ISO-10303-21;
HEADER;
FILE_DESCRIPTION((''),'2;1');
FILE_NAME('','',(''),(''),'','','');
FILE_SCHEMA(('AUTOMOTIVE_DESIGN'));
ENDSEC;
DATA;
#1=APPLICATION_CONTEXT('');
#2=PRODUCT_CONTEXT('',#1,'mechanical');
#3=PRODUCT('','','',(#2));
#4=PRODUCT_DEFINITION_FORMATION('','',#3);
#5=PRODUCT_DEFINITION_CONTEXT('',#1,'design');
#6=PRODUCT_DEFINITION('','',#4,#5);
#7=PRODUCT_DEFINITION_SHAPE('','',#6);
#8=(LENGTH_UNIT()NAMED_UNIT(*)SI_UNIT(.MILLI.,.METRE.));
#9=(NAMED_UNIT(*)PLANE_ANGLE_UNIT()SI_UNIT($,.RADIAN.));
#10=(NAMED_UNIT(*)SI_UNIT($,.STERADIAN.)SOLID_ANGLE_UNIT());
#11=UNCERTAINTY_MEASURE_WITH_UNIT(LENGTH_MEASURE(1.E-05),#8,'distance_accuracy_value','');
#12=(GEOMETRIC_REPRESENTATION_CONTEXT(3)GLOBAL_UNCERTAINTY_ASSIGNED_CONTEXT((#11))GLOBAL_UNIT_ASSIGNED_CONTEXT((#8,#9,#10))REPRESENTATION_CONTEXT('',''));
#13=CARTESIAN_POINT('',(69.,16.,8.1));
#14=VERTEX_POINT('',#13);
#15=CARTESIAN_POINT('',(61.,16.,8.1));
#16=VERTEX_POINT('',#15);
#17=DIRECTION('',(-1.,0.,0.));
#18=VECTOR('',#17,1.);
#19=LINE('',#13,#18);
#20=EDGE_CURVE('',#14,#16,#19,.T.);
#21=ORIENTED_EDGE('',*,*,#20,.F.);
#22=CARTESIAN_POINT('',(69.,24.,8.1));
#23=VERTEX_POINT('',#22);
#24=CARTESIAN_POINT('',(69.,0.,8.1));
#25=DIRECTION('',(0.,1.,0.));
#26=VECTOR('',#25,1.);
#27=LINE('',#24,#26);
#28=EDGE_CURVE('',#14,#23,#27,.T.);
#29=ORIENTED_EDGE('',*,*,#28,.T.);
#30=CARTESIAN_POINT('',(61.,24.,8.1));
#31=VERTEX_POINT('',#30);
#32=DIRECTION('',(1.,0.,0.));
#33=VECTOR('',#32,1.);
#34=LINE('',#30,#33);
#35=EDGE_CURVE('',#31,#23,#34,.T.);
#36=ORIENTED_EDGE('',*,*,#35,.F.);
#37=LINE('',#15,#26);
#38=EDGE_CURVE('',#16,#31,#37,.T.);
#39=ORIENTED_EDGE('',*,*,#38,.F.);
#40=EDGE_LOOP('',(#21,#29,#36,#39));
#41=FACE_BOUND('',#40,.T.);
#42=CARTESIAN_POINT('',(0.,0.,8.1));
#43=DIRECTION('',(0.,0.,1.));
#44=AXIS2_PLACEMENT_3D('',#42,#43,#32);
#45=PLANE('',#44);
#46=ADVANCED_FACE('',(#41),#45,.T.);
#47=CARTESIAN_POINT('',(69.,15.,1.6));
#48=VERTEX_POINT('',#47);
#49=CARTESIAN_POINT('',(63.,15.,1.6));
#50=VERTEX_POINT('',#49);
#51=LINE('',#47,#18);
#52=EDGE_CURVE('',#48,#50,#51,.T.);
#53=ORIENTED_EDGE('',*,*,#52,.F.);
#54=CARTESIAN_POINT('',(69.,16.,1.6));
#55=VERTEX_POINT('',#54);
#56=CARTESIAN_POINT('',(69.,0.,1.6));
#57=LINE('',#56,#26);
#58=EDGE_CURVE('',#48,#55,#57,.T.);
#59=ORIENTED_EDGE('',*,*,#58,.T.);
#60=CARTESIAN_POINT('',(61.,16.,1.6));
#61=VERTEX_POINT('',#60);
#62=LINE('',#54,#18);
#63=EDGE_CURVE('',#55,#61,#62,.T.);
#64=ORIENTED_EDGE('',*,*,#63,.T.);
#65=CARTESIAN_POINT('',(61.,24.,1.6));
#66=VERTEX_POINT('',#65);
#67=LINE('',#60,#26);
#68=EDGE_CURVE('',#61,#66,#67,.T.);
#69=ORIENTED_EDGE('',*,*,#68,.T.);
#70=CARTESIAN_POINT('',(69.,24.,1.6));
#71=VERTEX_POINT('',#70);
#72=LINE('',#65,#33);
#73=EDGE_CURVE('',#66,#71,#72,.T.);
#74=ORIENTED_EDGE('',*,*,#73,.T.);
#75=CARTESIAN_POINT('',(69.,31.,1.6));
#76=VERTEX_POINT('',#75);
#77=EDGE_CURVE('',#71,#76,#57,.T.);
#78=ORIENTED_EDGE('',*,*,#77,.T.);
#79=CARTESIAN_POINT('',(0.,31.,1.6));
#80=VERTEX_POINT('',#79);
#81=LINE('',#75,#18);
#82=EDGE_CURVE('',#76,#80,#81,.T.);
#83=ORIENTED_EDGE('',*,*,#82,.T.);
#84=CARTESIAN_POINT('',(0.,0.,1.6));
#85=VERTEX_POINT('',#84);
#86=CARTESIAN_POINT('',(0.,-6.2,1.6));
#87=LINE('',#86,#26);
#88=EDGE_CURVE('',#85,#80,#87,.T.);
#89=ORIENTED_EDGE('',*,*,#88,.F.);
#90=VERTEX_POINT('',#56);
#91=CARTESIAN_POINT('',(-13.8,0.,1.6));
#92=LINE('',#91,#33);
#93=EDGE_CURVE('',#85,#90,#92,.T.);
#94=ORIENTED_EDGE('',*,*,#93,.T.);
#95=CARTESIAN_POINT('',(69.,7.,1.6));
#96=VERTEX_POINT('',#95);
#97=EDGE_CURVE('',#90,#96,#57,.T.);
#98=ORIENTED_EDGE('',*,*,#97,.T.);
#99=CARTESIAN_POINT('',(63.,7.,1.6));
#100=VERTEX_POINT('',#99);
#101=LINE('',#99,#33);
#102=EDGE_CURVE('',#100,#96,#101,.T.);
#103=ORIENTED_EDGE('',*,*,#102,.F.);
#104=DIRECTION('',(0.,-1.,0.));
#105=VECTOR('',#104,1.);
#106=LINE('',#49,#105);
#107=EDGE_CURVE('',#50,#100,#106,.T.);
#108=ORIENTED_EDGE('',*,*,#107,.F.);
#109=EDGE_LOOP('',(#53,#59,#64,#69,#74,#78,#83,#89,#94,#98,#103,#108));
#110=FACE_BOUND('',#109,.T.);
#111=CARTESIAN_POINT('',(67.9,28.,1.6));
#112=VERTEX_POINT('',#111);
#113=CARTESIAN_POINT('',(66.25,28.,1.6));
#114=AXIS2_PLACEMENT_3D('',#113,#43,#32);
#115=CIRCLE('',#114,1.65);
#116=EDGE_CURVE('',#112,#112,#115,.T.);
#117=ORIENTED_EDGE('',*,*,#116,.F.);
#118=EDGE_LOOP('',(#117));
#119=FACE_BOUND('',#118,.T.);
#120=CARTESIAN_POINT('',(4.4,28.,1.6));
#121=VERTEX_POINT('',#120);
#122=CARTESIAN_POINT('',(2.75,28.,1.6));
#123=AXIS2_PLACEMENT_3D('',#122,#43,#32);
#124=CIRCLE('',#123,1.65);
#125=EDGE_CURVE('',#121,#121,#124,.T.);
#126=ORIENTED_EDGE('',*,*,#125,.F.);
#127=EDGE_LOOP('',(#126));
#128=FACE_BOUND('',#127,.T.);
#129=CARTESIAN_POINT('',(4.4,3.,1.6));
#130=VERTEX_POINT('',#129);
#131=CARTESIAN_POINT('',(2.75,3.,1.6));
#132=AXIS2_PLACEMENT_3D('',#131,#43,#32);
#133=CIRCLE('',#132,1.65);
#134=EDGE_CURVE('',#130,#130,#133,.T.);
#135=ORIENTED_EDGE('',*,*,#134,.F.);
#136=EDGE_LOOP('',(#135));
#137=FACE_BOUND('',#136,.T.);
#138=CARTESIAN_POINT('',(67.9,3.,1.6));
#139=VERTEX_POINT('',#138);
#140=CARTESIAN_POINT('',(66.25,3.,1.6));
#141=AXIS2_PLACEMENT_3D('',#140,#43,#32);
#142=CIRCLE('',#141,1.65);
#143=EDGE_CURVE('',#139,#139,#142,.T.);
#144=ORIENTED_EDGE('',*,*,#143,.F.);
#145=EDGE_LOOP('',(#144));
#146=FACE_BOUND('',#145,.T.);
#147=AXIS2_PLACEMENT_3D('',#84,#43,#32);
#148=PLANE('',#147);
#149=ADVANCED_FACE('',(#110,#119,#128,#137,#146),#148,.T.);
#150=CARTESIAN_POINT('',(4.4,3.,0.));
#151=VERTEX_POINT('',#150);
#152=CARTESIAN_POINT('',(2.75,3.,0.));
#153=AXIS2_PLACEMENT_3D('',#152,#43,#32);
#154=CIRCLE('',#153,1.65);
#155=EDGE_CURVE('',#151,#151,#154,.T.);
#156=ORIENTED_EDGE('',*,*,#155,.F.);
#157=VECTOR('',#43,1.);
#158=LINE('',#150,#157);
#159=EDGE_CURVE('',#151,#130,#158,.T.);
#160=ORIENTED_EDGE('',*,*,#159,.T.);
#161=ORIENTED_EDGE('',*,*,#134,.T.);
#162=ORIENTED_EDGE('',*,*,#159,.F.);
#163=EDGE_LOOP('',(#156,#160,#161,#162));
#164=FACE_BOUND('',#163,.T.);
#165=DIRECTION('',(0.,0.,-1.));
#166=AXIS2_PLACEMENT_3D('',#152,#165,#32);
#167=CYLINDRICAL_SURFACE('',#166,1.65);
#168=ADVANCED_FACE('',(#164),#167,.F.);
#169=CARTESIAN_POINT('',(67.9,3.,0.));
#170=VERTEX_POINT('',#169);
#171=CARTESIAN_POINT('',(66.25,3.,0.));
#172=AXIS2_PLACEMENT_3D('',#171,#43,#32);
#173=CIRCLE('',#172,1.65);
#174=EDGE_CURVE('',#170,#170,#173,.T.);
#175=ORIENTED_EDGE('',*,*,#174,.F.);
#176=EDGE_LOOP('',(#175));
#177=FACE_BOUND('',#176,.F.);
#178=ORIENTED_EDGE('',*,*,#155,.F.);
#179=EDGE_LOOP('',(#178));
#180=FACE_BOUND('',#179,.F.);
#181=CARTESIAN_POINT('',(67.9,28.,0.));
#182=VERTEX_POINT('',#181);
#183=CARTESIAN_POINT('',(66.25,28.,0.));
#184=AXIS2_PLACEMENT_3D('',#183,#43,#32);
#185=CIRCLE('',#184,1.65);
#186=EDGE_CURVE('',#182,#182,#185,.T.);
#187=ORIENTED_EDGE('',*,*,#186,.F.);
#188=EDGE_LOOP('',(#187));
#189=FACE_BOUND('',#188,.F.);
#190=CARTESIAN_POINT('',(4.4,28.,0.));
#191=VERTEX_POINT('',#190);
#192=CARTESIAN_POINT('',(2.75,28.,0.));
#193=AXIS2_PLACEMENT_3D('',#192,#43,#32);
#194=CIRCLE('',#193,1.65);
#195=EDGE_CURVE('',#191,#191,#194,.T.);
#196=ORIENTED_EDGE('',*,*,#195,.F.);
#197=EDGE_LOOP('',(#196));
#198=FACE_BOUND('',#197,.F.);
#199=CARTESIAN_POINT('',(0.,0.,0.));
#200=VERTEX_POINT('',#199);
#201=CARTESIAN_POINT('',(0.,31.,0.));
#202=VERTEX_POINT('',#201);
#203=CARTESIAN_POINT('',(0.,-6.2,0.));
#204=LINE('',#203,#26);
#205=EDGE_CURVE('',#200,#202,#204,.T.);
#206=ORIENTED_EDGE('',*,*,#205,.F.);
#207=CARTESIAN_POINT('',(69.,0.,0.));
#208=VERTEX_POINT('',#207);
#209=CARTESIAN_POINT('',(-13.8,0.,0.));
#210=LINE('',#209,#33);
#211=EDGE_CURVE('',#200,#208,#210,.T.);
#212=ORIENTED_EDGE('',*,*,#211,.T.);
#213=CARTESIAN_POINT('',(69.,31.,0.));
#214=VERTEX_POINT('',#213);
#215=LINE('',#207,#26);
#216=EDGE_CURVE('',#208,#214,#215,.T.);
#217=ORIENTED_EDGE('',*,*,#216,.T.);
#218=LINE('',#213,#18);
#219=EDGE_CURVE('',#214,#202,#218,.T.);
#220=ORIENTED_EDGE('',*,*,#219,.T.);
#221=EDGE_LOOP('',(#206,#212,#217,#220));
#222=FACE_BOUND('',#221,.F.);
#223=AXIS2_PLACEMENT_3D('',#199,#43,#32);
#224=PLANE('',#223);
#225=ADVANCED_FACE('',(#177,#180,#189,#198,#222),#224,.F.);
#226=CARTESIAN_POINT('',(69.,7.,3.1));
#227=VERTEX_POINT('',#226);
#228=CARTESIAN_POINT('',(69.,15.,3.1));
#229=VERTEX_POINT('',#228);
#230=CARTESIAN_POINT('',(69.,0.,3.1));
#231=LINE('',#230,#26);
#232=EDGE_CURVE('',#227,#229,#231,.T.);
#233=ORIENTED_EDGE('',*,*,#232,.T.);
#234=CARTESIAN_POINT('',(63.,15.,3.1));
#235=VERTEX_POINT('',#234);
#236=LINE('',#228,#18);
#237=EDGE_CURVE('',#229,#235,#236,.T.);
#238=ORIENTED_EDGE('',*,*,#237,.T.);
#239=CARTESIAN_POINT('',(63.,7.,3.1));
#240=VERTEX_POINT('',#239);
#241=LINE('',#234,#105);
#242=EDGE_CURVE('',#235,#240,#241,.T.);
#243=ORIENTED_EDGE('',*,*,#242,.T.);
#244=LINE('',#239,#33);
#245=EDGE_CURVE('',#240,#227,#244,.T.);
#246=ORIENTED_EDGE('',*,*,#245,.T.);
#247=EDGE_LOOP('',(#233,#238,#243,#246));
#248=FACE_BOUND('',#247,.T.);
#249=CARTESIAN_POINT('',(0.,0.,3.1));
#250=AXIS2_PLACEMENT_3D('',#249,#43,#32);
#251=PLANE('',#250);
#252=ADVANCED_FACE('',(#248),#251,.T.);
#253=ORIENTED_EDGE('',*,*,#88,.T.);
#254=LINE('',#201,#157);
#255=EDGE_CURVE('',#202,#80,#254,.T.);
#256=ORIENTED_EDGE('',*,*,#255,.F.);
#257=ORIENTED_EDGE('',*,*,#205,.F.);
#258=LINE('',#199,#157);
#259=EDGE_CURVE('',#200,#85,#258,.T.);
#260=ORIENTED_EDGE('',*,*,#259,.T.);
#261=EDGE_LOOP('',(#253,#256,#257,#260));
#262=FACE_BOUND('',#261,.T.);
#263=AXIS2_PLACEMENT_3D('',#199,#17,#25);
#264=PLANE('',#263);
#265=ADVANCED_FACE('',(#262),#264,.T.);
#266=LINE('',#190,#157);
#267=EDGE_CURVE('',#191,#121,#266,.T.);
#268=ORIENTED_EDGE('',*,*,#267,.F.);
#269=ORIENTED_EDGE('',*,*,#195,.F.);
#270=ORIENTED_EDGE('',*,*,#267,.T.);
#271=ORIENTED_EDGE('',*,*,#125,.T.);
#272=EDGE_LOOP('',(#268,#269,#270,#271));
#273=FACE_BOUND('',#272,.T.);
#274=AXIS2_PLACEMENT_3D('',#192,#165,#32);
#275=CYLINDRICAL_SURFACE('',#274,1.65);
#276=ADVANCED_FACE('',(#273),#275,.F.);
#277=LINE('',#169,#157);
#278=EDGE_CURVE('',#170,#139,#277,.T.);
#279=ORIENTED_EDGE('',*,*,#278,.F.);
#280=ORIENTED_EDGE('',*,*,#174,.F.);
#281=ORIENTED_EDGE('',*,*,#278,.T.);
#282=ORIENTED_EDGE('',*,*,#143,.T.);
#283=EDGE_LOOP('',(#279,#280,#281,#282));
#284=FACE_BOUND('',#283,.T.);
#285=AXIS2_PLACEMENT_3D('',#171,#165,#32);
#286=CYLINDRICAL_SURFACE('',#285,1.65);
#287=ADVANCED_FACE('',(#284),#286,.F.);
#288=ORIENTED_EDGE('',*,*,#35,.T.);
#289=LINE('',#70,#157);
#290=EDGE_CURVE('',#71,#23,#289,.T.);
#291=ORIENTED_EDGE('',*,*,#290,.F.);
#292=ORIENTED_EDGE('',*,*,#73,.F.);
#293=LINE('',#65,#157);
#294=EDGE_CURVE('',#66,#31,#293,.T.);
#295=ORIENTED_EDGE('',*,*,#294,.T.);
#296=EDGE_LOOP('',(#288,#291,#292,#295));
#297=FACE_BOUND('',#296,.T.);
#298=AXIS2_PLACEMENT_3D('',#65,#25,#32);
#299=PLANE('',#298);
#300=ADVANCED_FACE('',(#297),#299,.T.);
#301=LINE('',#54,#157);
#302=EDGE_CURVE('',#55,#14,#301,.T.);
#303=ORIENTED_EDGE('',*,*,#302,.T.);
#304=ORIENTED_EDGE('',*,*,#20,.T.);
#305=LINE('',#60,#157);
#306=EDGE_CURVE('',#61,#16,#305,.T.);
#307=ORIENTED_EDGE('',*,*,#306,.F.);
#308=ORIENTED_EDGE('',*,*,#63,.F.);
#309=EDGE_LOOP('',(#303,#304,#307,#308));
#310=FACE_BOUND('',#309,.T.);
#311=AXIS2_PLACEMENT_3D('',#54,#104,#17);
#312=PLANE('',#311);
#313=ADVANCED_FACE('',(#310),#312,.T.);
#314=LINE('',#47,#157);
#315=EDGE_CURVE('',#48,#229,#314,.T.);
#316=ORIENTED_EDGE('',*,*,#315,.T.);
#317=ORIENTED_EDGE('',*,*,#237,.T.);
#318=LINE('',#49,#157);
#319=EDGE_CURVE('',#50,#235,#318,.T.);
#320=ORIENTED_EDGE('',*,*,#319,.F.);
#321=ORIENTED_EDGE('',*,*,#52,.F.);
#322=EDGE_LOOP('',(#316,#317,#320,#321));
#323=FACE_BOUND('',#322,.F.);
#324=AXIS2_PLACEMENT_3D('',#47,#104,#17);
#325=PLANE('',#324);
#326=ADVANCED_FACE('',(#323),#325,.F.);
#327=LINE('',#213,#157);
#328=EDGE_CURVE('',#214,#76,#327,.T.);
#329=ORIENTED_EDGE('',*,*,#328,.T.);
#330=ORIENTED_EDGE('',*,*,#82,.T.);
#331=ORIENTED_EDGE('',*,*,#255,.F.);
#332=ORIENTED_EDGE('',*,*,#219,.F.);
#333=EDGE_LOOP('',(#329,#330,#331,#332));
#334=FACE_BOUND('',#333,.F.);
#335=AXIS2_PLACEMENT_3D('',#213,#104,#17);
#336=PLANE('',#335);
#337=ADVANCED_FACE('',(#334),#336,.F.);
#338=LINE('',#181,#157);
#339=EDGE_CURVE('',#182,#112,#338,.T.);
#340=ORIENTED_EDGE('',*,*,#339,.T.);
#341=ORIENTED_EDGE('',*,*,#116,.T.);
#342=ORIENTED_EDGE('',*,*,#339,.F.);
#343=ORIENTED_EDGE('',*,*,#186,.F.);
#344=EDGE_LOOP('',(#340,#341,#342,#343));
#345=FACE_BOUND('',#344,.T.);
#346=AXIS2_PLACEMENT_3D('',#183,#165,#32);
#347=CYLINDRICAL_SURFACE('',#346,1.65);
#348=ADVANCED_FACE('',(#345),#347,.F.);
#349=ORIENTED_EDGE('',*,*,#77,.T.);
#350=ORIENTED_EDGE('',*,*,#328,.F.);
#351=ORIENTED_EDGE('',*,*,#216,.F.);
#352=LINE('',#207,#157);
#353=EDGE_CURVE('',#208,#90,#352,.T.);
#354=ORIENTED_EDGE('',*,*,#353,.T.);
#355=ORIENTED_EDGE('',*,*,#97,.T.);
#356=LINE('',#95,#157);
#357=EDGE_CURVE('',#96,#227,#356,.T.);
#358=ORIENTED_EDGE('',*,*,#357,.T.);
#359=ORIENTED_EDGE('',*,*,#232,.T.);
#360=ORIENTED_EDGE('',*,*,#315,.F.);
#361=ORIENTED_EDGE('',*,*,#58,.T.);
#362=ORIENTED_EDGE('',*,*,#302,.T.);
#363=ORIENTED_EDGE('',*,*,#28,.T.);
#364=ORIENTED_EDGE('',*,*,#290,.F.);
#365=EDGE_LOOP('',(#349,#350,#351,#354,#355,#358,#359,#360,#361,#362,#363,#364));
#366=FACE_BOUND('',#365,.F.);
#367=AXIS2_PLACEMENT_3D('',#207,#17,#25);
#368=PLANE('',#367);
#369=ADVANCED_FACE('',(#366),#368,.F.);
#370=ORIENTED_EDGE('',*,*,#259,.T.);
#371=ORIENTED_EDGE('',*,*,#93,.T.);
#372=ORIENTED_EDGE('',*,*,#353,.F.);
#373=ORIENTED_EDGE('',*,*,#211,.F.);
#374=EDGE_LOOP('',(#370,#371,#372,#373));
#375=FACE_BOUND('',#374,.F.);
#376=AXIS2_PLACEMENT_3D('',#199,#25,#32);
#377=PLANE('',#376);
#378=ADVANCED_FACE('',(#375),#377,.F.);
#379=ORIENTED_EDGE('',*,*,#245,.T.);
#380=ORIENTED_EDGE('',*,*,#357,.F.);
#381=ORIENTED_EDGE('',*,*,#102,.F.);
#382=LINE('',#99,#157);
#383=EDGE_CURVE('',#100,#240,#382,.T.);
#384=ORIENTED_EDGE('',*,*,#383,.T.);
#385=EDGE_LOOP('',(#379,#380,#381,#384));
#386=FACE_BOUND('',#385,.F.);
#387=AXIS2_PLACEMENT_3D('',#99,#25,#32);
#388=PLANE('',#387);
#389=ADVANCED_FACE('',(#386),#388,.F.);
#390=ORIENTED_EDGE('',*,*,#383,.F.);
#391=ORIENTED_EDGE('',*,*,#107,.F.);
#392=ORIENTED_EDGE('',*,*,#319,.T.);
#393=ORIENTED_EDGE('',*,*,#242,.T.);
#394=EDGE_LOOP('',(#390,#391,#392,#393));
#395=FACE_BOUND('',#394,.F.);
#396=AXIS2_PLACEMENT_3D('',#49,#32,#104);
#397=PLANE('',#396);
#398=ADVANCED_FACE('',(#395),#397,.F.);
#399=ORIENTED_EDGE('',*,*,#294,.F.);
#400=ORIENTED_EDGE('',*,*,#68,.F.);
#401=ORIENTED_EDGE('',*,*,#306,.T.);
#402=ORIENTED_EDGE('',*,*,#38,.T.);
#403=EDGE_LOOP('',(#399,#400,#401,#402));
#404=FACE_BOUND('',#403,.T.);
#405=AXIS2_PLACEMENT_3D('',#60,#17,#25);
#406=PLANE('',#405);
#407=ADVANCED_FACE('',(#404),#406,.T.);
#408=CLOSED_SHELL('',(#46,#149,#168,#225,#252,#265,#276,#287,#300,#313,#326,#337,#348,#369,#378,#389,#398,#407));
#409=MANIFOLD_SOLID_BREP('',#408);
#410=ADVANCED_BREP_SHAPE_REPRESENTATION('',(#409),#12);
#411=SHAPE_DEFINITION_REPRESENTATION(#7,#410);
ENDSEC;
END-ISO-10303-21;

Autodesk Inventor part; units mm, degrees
ref_plane "YZ Plane" through (0, 0, 0) normal (1, 0, 0) x (0, 1, 0)
ref_plane "XZ Plane" through (0, 0, 0) normal (0, 1, 0) x (-1, 0, 0)
ref_plane "XY Plane" through (0, 0, 0) normal (0, 0, 1) x (1, 0, 0)
sketch "Skizze1" plane through (0, 0, 0) normal (0, 0, 1) x (1, 0, 0)
  line L0 (-13.8, 0) -> (82.8, 0) projected
  line L1 (0, -6.2) -> (0, 37.2) projected
  line L2 (0, 0) -> (69, 0)
  line L3 (69, 0) -> (69, 31)
  line L4 (69, 31) -> (0, 31)
  line L5 (0, 31) -> (0, 0)
  line L6 (2.75, 28) -> (66.25, 28) construction
  line L7 (66.25, 28) -> (66.25, 3) construction
  line L8 (66.25, 3) -> (2.75, 3) construction
  line L9 (2.75, 3) -> (2.75, 28) construction
  circle A0 centre (2.75, 28) radius 1.65
  circle A1 centre (2.75, 3) radius 1.65
  circle A2 centre (66.25, 28) radius 1.65
  circle A3 centre (66.25, 3) radius 1.65
  dimension "d0" = 31
  dimension "d1" = 69
  dimension "d4" = 25
  dimension "d5" = 63.5
  dimension "d6" = 2.75
  dimension "d7" = 3
  dimension "d8" = 3.3
extrude "Extrusion2" add sketch "Skizze1" along normal blind 1.6
sketch "Skizze2" plane through (0, 0, 1.6) normal (0, 0, 1) x (1, 0, 0)
  line L0 (69, 0) -> (69, 31) projected
  line L1 (69, 31) -> (0, 31) projected
  line L2 (69, 16) -> (61, 16)
  line L3 (61, 16) -> (61, 24)
  line L4 (61, 24) -> (69, 24)
  line L5 (69, 24) -> (69, 16)
  dimension "d11" = 15
  dimension "d12" = 8
  dimension "d13" = 8
extrude "Extrusion3" add sketch "Skizze2" along normal blind 6.5
sketch "Skizze3" plane through (0, 0, 1.6) normal (0, 0, 1) x (1, 0, 0)
  line L0 (0, 0) -> (69, 0) projected
  line L1 (69, 0) -> (69, 16) projected
  line L2 (69, 15) -> (63, 15)
  line L3 (63, 15) -> (63, 7)
  line L4 (63, 7) -> (69, 7)
  line L5 (69, 7) -> (69, 15)
  dimension "d16" = 8
  dimension "d17" = 6
  dimension "d18" = 15
extrude "Extrusion4" add sketch "Skizze3" along normal blind 1.5
properties part number "IOIO Board"
